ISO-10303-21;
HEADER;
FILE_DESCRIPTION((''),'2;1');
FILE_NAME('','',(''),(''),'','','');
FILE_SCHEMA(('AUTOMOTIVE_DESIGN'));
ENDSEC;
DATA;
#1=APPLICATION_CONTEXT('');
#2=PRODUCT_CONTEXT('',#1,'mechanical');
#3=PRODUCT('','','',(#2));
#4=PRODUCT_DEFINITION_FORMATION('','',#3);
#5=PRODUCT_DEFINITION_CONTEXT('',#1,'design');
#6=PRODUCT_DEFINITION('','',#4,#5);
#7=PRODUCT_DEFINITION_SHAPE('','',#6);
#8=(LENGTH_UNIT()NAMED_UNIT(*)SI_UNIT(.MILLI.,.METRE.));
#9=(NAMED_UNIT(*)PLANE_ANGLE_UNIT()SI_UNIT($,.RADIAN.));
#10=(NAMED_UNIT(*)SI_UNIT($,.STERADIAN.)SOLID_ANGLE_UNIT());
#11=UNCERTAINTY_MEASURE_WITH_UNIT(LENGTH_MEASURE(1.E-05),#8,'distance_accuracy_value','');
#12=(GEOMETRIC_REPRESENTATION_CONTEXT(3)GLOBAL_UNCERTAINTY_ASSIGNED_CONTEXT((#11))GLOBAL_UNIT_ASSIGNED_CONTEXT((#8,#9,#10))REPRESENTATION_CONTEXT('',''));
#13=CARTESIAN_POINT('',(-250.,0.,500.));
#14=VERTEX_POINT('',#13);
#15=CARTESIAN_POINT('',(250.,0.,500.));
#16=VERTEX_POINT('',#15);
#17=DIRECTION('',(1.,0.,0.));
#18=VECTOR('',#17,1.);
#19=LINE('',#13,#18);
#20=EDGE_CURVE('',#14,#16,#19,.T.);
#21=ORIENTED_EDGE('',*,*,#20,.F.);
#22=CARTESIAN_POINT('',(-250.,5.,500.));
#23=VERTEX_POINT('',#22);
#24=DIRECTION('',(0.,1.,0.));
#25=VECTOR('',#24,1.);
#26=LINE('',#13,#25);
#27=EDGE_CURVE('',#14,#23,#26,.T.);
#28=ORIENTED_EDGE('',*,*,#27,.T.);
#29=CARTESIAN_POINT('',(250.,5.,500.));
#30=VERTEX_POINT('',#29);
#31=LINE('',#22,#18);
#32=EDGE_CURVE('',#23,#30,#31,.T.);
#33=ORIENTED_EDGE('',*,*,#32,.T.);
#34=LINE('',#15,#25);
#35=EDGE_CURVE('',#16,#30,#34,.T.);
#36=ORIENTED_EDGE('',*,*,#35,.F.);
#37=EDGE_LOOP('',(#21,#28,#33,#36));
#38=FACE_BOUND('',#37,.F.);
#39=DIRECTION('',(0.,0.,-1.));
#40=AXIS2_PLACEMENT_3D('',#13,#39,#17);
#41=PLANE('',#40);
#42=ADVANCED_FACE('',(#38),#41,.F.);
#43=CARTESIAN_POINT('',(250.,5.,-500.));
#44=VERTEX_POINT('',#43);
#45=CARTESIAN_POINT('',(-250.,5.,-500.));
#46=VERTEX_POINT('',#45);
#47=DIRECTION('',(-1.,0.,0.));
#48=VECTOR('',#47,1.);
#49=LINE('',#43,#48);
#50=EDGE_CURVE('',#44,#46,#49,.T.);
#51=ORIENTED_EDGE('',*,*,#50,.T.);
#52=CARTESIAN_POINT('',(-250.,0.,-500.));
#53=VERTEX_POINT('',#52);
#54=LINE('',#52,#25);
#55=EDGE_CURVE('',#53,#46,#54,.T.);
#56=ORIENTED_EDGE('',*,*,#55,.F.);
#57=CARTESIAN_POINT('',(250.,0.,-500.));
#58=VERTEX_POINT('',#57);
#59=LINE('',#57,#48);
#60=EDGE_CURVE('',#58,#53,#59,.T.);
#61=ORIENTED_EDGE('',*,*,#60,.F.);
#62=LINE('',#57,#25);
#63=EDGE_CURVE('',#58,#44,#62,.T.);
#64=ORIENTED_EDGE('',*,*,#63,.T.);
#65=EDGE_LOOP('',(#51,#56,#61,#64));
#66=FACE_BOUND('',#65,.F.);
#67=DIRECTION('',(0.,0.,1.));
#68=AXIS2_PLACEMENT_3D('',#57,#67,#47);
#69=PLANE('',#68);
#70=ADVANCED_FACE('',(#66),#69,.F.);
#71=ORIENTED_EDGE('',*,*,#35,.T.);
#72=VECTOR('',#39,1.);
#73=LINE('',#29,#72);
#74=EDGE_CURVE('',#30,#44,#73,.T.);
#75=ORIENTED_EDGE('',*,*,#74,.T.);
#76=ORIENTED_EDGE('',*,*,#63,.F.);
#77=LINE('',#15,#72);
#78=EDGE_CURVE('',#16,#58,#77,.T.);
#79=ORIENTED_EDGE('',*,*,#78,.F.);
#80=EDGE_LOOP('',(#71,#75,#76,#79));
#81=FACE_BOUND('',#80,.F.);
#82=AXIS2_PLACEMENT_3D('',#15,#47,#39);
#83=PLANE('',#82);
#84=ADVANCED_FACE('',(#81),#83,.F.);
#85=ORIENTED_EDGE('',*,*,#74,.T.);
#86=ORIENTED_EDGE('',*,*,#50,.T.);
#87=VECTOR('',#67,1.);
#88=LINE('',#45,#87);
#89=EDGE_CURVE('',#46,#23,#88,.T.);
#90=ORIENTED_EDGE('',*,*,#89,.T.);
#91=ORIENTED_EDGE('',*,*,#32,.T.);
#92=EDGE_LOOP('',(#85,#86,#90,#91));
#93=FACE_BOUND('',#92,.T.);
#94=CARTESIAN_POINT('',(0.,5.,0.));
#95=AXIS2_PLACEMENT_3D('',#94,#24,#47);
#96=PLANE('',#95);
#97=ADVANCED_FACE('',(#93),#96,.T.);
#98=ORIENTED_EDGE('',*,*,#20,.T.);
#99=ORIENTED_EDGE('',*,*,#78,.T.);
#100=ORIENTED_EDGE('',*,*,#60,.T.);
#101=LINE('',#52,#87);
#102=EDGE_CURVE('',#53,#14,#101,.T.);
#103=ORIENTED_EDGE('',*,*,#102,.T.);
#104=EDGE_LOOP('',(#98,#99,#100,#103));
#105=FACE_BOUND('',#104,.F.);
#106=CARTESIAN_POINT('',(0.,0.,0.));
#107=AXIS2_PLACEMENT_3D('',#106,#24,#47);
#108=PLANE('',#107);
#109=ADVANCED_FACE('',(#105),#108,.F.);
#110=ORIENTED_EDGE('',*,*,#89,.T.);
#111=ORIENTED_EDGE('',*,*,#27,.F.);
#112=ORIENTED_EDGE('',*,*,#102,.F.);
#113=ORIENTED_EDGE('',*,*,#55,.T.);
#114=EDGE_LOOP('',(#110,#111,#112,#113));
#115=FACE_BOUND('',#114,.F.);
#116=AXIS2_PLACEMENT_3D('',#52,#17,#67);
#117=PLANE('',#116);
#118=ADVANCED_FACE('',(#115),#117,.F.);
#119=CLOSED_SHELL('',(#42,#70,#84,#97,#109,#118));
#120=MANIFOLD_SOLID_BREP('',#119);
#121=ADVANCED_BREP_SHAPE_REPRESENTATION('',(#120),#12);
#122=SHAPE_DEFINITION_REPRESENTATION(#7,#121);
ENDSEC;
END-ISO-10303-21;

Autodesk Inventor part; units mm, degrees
ref_plane "YZ Plane" through (0, 0, 0) normal (1, 0, 0) x (0, 1, 0)
ref_plane "XZ Plane" through (0, 0, 0) normal (0, 1, 0) x (-1, 0, 0)
ref_plane "XY Plane" through (0, 0, 0) normal (0, 0, 1) x (1, 0, 0)
sketch "Sketch1" plane through (0, 0, 0) normal (0, 1, 0) x (-1, 0, 0)
  line L0 (-250, -500) -> (250, -500)
  line L1 (250, -500) -> (250, 500)
  line L2 (250, 500) -> (-250, 500)
  line L3 (-250, 500) -> (-250, -500)
  line L4 (-250, -500) -> (250, 500) construction
  line L5 (250, -500) -> (-250, 500) construction
  point P0 (0, 0)
  dimension "d0" = 1000
  dimension "d1" = 500
extrude "Extrusion1" add sketch "Sketch1" along normal blind 5
properties part number "ground"
